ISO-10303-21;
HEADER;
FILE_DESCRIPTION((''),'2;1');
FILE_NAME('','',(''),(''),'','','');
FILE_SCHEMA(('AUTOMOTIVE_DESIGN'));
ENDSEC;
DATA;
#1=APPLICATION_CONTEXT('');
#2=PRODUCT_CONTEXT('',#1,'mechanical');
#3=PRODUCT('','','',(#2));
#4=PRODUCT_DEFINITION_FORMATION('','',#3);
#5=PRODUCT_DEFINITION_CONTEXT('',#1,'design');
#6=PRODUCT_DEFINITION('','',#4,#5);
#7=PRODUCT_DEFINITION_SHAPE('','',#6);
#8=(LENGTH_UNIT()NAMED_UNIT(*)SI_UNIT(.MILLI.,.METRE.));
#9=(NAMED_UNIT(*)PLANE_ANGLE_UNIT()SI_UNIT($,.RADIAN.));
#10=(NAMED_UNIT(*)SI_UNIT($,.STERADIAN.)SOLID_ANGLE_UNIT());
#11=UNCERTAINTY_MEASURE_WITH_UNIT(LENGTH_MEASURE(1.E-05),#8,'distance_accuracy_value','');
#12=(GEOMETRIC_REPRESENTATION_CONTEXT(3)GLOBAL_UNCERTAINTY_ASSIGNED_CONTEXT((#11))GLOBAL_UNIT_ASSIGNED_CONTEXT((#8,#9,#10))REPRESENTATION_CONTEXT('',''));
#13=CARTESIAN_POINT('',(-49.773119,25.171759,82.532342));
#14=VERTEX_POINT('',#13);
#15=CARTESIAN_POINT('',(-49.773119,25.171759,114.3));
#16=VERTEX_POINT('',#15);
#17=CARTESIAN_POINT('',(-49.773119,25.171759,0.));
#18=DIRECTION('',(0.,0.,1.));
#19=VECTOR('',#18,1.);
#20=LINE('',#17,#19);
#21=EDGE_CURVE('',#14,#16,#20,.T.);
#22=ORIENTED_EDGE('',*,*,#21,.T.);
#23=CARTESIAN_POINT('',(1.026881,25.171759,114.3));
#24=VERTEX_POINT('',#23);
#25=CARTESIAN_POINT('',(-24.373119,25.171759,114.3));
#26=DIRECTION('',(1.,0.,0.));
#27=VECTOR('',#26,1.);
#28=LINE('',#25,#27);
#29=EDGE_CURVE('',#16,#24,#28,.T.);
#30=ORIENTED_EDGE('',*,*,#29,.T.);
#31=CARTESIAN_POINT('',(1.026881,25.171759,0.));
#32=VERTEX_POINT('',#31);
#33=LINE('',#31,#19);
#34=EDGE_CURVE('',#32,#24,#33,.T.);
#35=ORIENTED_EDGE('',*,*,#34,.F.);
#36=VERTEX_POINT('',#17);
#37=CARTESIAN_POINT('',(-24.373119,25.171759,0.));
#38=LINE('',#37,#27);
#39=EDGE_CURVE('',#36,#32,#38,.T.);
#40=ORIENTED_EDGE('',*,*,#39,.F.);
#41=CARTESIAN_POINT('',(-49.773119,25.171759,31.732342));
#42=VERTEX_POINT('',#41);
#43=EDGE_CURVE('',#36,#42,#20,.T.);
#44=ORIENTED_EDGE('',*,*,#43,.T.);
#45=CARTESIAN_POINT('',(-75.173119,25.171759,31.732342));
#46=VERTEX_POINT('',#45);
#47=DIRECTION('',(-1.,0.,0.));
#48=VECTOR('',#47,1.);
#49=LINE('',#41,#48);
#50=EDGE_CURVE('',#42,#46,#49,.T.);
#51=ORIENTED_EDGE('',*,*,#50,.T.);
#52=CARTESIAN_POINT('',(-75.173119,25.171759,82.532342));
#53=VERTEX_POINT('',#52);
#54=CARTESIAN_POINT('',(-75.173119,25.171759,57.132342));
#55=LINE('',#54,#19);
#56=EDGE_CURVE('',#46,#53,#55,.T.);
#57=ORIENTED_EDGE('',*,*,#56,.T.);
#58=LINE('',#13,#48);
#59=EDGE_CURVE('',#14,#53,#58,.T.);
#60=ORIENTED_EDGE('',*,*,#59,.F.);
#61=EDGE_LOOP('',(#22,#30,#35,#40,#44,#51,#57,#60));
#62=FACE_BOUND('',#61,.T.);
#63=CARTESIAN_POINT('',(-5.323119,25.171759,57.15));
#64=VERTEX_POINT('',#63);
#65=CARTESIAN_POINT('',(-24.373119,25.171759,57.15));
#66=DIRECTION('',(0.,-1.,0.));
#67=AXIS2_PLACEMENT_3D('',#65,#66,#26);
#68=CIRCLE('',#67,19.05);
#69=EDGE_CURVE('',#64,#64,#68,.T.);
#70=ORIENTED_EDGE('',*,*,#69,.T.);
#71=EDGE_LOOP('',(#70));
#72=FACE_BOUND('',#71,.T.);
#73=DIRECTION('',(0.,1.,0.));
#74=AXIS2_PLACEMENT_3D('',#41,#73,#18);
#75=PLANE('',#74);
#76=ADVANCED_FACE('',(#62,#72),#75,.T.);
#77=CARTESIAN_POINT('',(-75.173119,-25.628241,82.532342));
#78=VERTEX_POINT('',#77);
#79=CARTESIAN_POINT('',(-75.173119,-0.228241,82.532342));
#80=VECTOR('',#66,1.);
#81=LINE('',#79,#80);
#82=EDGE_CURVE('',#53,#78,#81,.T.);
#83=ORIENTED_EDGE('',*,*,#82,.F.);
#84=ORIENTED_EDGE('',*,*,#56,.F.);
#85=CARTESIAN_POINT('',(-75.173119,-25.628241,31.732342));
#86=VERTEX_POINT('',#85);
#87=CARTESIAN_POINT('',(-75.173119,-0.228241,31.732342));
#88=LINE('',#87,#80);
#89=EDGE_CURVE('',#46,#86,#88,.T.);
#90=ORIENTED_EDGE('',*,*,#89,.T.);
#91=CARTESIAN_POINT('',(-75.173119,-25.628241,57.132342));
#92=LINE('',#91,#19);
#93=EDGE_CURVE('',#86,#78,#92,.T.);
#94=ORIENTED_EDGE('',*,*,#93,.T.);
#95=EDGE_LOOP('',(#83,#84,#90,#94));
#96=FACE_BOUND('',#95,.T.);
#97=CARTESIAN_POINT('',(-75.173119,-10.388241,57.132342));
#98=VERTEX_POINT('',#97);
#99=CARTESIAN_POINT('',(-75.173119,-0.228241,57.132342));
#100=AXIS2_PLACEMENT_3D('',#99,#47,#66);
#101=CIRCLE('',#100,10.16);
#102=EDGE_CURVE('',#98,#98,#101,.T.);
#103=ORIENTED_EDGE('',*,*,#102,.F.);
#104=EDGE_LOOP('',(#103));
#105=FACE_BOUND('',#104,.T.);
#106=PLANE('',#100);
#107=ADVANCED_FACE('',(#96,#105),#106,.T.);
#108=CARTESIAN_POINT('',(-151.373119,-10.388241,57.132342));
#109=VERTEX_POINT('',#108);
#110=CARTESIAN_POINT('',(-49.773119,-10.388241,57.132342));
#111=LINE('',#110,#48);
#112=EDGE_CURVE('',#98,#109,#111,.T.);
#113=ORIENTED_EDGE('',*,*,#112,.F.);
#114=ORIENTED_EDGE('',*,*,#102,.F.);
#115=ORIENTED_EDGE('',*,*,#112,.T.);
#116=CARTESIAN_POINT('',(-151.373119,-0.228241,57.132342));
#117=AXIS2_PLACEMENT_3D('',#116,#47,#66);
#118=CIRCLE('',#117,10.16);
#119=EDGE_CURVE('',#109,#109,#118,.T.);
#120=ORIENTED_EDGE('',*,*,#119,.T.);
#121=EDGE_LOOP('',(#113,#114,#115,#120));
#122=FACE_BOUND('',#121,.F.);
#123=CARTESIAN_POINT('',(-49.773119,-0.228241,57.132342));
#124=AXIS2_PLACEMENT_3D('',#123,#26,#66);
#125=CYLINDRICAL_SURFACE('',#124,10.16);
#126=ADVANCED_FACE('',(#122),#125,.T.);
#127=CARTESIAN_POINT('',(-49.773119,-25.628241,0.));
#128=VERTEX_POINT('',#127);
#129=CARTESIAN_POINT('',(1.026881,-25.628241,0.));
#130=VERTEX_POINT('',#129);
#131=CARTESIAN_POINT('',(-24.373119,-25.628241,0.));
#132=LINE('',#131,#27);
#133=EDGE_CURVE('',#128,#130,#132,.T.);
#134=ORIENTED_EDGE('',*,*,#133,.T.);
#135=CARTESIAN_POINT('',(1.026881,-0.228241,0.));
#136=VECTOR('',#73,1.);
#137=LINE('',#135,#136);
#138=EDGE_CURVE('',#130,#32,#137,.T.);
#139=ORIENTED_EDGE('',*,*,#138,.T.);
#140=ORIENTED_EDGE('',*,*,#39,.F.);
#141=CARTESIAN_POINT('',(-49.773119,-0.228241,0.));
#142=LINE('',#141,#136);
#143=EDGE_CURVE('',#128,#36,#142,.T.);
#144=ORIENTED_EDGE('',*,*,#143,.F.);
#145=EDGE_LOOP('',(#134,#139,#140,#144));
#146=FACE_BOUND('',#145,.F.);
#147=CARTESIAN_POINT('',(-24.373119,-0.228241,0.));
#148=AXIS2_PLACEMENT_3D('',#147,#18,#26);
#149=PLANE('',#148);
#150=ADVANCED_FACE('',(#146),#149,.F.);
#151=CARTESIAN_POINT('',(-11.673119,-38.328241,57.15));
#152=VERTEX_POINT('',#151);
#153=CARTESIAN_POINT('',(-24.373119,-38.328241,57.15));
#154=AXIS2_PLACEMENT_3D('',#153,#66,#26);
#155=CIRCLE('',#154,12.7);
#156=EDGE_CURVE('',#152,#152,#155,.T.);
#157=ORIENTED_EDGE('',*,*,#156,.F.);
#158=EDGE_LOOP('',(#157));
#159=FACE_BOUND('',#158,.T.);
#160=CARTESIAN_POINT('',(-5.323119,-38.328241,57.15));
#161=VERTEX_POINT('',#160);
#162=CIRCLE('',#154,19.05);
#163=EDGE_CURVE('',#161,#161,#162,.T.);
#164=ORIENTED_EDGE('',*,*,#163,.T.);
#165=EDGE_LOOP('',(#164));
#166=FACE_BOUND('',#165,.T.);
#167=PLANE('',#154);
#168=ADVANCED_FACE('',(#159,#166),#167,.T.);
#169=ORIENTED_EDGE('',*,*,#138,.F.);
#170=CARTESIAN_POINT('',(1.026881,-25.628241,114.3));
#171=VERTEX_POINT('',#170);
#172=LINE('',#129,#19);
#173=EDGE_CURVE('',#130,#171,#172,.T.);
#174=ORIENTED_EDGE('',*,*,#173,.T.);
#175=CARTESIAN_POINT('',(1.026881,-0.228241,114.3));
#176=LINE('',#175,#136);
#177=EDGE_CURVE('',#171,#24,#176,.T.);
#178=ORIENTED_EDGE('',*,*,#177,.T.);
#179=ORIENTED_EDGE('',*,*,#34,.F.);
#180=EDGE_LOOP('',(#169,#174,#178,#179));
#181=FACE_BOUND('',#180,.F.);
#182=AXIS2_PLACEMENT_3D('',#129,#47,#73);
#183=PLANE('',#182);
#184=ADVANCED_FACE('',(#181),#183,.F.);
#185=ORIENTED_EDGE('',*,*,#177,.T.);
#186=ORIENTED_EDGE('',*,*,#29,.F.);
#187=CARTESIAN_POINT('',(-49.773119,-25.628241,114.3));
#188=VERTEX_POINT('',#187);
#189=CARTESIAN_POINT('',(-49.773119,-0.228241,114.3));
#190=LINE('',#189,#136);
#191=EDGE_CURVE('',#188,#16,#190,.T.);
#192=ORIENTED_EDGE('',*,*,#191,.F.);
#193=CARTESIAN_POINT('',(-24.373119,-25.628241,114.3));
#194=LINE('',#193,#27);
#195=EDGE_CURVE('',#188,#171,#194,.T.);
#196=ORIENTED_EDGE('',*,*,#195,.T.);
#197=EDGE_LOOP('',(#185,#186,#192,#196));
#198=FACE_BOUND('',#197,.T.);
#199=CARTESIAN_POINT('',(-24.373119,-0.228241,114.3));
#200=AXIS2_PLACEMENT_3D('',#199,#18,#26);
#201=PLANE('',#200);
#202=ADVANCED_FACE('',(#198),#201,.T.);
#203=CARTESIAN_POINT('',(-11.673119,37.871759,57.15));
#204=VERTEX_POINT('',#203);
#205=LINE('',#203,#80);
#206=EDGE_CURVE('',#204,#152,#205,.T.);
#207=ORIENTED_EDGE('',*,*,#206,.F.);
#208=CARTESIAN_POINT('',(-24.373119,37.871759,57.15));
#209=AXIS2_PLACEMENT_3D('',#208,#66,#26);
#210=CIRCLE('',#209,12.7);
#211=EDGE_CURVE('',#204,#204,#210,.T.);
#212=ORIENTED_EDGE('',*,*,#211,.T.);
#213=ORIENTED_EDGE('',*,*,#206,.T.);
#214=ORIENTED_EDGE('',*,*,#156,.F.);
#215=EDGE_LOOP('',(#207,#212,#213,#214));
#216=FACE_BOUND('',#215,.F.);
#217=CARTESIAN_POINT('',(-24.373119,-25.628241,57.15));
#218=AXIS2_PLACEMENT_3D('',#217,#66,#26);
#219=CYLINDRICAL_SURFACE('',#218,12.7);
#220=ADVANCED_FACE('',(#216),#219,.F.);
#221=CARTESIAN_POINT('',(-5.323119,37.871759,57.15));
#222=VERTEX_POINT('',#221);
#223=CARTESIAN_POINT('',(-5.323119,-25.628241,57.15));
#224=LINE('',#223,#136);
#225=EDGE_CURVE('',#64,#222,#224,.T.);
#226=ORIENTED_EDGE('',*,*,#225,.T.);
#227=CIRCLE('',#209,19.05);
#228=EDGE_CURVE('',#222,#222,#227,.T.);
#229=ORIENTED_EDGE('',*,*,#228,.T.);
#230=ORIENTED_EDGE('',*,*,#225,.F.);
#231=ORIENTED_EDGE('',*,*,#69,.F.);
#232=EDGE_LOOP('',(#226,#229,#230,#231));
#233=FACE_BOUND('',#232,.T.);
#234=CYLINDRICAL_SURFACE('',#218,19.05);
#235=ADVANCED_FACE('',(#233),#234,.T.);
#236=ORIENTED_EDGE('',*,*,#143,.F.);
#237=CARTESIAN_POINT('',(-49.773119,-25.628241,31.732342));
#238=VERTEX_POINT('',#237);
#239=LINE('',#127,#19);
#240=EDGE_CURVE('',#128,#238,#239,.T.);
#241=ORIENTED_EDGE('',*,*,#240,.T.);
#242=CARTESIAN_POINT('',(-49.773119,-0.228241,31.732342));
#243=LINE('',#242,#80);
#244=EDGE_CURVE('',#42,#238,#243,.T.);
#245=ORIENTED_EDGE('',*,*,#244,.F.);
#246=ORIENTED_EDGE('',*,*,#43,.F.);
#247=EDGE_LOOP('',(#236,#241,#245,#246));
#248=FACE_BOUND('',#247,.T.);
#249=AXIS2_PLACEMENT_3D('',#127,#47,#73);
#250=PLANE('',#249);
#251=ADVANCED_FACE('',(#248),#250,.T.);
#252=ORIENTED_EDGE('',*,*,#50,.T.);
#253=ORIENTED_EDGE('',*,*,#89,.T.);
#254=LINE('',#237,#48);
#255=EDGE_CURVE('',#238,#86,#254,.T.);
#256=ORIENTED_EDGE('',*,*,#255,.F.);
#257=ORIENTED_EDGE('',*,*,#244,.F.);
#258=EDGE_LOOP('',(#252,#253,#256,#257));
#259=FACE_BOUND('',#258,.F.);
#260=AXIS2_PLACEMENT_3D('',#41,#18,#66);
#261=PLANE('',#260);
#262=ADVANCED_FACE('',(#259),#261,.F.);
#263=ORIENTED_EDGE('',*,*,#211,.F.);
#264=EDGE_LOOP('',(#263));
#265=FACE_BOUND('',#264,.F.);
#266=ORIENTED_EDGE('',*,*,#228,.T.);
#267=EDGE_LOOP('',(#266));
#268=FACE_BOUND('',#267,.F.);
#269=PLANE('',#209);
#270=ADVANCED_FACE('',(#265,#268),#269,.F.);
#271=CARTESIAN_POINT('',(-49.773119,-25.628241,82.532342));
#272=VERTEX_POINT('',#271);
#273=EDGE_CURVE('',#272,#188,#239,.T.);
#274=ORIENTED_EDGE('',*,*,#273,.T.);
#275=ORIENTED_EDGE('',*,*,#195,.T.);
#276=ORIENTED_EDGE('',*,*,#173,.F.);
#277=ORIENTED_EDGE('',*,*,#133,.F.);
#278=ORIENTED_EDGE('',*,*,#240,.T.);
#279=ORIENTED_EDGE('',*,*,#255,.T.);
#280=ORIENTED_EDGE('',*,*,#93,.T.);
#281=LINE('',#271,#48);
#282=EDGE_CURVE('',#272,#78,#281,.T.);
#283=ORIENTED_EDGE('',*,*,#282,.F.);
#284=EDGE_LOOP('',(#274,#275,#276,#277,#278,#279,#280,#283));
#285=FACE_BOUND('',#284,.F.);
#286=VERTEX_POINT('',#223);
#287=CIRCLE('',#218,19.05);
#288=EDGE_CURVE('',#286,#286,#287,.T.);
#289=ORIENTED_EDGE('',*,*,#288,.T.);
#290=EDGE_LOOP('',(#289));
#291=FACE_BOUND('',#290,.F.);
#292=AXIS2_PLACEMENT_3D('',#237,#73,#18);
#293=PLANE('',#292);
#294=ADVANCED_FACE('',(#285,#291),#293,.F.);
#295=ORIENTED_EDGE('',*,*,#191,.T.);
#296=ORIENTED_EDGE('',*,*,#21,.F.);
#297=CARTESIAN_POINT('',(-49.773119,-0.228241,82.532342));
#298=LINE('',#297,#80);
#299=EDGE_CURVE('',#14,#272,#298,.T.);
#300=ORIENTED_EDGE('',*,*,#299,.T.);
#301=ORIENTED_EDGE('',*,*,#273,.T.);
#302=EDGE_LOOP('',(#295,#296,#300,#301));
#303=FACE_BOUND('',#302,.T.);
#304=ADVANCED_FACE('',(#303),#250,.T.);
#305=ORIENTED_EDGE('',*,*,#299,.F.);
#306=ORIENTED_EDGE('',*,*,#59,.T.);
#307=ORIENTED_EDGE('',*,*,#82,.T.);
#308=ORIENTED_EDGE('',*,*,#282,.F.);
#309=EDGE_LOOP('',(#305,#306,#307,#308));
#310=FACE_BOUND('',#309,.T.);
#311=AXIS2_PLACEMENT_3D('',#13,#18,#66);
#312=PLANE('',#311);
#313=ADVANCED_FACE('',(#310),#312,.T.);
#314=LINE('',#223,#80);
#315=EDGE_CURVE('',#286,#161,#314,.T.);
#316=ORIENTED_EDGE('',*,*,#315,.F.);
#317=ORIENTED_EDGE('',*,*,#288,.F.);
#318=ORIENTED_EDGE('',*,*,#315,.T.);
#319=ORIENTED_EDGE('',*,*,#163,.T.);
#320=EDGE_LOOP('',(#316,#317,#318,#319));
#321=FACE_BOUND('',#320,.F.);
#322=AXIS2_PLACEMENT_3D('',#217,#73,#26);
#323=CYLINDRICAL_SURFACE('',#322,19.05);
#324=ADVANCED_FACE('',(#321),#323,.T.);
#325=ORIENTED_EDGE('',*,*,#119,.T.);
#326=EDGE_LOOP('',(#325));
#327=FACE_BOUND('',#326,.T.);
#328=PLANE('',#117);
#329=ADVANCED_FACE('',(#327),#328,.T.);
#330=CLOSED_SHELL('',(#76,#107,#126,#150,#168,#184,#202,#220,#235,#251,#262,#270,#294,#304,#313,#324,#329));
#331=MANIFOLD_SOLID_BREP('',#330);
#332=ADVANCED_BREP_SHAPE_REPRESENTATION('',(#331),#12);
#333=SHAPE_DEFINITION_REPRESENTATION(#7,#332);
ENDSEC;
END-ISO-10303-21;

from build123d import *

# Parameters (mm, degrees)
F0_W          = 50.8
F0_H          = 50.8
F1_DEPTH      = 114.3
F2_R          = 12.7
F3_DEPTH      = 76.2
F2_R_2        = 19.05
F4_DEPTH      = 12.7
F4_DEPTH_BACK = 63.5
F5_R          = 10.16
F6_DEPTH      = 101.6
F5_W          = 50.8
F5_H          = 50.8
F7_DEPTH      = 25.4


with BuildPart() as f1:
    # F0 (on Top) → F1 (new body)
    with BuildSketch(Plane.XY):
        with Locations((-24.373119, -0.228241)):
            Rectangle(F0_W, F0_H)
    extrude(amount=F1_DEPTH)

    # F2 (on face) → F3 (cut)
    with BuildSketch(Plane.XZ.offset(25.628241)):
        with Locations((-24.373119, 57.15)):
            Circle(F2_R)
    extrude(amount=-F3_DEPTH, mode=Mode.SUBTRACT)

    # F2 (on face) → F4 (join, two sides)
    with BuildSketch(Plane.XZ.offset(25.628241)) as f4_sk:
        with Locations((-24.373119, 57.15)):
            Circle(F2_R_2)
        with Locations((-24.373119, 57.15)):
            Circle(F2_R, mode=Mode.SUBTRACT)
    extrude(amount=F4_DEPTH)
    extrude(f4_sk.sketch, amount=-F4_DEPTH_BACK)

    # F5 (on face) → F6 (join)
    with BuildSketch(Plane(origin=(-49.773119, 0, 0), x_dir=(0, -1, 0), z_dir=(-1, 0, 0))):
        with Locations((0.228241, 57.132342)):
            Circle(F5_R)
    extrude(amount=F6_DEPTH)

    # F5 (on face) → F7 (join)
    with BuildSketch(Plane(origin=(-49.773119, 0, 0), x_dir=(0, -1, 0), z_dir=(-1, 0, 0))):
        with Locations((0.228241, 57.132342)):
            Rectangle(F5_W, F5_H)
        with Locations((0.228241, 57.132342)):
            Circle(F5_R, mode=Mode.SUBTRACT)
    extrude(amount=F7_DEPTH)


solid = f1.part
